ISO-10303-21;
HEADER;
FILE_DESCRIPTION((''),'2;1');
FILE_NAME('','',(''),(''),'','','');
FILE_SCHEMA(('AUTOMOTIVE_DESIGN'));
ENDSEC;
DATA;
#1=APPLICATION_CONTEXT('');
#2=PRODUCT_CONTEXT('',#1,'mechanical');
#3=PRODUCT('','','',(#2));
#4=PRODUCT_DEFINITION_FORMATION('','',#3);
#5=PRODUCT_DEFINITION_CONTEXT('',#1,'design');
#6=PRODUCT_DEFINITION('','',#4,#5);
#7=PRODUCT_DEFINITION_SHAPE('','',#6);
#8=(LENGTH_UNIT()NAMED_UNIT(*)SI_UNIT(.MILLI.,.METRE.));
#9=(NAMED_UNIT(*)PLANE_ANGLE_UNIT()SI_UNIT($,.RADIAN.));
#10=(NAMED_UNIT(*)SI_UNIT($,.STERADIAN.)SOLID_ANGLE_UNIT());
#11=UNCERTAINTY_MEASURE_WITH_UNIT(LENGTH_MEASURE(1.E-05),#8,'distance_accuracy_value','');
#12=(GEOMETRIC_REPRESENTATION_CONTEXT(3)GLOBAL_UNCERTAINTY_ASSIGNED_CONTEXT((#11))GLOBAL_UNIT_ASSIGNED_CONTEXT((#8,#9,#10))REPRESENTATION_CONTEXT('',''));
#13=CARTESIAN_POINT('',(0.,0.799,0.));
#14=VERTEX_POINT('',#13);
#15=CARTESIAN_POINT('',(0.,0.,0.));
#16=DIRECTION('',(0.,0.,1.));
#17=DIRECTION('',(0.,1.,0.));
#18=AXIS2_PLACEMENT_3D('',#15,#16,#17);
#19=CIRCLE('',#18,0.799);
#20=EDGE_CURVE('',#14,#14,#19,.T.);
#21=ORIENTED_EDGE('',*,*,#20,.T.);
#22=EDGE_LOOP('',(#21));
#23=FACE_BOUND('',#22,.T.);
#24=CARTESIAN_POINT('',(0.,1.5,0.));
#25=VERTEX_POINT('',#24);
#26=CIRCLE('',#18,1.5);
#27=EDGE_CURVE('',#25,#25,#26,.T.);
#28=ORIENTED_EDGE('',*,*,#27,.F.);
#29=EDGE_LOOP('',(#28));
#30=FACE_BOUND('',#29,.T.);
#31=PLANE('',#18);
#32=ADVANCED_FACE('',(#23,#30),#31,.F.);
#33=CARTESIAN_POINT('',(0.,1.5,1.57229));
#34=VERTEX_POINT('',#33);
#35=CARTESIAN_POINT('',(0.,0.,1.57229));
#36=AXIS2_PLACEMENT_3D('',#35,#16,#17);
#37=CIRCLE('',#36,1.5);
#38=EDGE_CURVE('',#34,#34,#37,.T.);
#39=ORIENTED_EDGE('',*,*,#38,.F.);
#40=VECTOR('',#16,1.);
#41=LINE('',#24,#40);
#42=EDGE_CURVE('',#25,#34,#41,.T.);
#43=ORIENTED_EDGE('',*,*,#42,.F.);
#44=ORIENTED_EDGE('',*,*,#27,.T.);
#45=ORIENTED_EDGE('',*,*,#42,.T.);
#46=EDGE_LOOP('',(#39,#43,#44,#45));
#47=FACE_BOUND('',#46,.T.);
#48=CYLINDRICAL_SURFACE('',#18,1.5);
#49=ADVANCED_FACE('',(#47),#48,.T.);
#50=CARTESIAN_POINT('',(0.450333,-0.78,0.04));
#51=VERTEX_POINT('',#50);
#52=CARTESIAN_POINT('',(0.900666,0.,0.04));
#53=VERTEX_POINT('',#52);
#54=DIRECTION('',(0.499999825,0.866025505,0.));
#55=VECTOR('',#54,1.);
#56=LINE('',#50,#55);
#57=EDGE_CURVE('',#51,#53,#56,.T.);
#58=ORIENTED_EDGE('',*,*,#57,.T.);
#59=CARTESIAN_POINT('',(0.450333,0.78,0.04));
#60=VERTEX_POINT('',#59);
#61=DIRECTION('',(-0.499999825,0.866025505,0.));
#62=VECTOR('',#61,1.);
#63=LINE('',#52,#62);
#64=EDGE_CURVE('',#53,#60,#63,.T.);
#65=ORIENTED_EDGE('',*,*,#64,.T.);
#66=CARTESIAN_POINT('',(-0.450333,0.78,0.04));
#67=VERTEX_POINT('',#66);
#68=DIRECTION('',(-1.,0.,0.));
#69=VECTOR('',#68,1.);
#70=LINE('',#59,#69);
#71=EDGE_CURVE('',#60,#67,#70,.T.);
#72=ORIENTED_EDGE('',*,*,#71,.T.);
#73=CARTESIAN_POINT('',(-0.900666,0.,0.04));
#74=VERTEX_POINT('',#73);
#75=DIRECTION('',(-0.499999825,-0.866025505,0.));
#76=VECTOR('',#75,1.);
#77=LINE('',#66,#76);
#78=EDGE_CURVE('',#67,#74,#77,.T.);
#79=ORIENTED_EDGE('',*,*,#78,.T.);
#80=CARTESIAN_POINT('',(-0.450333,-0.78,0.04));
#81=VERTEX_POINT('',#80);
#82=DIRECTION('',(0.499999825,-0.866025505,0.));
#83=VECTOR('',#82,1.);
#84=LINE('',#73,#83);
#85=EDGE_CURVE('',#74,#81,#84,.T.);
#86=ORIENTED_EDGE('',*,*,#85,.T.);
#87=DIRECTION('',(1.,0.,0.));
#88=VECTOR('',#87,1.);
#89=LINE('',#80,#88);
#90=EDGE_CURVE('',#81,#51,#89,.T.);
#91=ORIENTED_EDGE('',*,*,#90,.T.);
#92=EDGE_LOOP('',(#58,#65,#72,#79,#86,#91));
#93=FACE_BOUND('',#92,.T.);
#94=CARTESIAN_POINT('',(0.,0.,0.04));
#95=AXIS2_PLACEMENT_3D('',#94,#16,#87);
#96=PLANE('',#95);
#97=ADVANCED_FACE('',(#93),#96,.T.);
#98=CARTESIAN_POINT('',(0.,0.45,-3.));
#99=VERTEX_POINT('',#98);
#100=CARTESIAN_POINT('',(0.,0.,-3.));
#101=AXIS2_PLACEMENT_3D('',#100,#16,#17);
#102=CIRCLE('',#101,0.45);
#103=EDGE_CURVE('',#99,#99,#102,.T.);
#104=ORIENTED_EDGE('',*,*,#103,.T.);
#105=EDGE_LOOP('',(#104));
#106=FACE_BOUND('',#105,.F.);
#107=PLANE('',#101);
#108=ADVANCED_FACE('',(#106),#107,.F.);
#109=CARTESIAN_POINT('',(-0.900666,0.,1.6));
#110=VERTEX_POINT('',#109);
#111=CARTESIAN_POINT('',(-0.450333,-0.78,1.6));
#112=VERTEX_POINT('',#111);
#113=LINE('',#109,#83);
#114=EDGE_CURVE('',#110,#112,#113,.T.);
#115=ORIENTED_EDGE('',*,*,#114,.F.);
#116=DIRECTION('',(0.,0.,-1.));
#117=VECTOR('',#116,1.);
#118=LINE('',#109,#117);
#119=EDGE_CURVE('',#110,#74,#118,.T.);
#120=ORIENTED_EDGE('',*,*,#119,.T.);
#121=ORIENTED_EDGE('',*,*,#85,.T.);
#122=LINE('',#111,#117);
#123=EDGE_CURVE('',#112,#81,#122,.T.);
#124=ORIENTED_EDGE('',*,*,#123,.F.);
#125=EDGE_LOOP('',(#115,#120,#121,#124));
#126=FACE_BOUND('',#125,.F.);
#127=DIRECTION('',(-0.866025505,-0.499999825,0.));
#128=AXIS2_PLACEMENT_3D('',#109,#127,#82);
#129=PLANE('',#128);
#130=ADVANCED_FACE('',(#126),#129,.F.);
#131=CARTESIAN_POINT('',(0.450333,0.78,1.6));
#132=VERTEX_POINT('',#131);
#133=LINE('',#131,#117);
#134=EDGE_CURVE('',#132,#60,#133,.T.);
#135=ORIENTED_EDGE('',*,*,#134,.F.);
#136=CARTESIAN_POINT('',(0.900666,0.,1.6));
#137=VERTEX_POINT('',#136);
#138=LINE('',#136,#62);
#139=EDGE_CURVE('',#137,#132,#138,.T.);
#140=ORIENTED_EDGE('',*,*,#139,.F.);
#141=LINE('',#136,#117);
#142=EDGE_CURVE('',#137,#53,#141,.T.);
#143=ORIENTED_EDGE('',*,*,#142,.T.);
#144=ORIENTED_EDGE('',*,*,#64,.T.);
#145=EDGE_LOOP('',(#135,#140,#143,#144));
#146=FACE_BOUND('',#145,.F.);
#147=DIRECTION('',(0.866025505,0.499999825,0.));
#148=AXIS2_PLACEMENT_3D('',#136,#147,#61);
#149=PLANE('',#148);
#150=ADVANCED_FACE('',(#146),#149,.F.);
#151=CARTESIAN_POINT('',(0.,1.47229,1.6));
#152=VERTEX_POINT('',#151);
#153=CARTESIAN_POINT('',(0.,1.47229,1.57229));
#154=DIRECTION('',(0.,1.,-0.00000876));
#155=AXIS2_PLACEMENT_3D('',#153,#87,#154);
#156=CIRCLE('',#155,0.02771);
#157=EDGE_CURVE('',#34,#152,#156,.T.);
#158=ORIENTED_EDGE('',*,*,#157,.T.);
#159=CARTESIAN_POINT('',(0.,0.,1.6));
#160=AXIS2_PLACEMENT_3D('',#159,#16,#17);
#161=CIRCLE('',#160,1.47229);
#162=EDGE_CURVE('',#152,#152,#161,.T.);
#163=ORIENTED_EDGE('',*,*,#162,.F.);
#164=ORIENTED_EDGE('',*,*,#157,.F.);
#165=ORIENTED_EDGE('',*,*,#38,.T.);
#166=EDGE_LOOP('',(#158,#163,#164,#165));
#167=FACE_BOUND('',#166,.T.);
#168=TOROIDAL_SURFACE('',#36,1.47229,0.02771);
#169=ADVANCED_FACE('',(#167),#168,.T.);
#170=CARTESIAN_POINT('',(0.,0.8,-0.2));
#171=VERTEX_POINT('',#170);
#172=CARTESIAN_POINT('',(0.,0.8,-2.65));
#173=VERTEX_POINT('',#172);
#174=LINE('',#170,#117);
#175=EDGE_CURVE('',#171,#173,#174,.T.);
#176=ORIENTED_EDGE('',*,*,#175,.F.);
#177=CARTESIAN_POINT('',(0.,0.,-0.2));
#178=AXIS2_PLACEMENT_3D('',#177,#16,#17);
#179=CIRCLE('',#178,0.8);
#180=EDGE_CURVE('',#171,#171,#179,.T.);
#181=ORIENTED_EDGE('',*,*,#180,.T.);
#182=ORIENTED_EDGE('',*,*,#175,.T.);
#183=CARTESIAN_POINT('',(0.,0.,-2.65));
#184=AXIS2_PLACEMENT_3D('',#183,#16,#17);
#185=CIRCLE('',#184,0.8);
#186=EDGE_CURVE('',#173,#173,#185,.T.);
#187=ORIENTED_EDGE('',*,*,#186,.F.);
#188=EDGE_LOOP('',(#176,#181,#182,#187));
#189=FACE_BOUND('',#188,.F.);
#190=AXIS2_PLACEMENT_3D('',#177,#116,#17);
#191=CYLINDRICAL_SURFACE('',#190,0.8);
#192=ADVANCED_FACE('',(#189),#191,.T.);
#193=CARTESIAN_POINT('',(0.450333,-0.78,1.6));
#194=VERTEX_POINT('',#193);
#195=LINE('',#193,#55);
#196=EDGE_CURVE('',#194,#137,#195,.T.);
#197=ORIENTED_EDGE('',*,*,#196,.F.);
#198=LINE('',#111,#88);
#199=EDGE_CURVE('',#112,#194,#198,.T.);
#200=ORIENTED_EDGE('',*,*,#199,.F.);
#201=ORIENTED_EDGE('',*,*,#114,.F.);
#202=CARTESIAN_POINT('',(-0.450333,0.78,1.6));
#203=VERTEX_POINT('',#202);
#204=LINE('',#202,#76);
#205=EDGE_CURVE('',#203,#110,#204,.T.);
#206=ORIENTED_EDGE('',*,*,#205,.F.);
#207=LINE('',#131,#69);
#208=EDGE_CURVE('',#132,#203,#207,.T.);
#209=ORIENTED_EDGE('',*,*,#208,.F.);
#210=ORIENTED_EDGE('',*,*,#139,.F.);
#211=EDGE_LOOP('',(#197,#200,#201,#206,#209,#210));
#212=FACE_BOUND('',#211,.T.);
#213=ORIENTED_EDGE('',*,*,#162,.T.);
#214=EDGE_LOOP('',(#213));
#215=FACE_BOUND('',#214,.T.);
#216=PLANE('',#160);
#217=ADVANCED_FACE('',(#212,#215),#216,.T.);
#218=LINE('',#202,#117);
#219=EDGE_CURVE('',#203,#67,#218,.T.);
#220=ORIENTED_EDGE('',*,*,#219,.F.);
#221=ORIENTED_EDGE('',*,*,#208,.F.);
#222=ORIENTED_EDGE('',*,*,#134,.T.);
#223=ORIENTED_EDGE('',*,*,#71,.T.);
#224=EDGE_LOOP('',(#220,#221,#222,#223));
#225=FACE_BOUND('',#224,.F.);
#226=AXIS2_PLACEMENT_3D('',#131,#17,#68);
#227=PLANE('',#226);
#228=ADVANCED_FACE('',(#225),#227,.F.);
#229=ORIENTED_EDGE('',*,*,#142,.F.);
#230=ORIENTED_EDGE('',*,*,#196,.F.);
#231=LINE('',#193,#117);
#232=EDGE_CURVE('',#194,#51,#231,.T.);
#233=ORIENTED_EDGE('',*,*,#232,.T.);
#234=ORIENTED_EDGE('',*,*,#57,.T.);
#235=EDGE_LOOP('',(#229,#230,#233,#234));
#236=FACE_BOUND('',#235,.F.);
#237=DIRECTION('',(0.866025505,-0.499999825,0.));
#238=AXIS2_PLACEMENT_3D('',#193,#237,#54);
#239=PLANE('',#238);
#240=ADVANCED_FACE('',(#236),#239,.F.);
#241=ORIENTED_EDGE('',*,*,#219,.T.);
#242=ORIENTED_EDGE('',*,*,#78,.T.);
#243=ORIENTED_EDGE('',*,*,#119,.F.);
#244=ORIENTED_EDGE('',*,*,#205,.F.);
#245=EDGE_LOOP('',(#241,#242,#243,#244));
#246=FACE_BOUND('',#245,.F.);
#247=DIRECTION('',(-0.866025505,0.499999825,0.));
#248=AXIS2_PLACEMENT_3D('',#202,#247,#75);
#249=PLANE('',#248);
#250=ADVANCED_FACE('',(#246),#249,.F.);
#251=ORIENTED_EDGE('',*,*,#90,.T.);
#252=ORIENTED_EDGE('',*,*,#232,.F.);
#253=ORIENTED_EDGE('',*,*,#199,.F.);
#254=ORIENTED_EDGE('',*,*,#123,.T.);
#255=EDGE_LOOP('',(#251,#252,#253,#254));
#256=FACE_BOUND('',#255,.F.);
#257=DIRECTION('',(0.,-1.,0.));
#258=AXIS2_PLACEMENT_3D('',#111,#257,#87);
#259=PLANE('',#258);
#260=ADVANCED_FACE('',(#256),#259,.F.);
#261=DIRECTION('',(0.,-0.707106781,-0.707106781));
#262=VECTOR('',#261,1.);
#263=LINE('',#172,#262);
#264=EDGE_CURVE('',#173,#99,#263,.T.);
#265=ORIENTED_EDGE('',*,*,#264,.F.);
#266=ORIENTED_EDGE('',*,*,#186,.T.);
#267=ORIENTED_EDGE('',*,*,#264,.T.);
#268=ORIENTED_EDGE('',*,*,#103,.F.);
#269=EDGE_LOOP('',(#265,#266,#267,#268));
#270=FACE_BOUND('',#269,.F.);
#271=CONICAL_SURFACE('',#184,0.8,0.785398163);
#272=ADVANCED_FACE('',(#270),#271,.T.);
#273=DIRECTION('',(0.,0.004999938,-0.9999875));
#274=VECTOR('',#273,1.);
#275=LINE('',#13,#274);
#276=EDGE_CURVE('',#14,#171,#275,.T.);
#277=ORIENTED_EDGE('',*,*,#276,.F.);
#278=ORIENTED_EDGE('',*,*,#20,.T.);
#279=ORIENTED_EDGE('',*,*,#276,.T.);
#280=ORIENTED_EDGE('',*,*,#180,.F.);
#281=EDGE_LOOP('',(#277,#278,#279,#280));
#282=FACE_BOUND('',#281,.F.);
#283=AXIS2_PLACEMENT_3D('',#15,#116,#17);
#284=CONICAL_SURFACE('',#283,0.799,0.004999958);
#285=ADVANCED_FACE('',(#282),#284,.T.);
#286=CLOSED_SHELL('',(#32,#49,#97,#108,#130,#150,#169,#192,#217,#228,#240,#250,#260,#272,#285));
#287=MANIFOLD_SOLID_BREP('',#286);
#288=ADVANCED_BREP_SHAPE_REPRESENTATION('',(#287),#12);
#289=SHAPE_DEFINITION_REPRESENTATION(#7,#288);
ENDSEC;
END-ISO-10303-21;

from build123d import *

# Parameters (mm, degrees)
POCKET_DEPTH = 1.56


with BuildPart() as part:
    # Sketch → Revolve (revolve)
    with BuildSketch(Plane.YZ):
        with BuildLine():
            Line((0.799, 0), (1.5, 0))
            Line((1.5, 0), (1.5, 1.57229))
            ThreePointArc((1.5, 1.57229), (1.491884, 1.591884), (1.47229, 1.6))
            Line((1.47229, 1.6), (0, 1.6))
            Line((0, -3), (0, 1.6))
            Line((0.45, -3), (0, -3))
            Line((0.8, -2.65), (0.45, -3))
            Line((0.8, -0.2), (0.8, -2.65))
            Line((0.799, 0), (0.8, -0.2))
        make_face()
    revolve(axis=Axis((0, 0, 0), (0, 0, 1)))

    # Sketch001 → Pocket (cut)
    with BuildSketch(Plane.XY.offset(1.6)):
        Polygon((0.900666, 0), (0.450333, 0.78), (-0.450333, 0.78), (-0.900666, 0), (-0.450333, -0.78), (0.450333, -0.78), align=None)
    extrude(amount=-POCKET_DEPTH, mode=Mode.SUBTRACT)


solid = part.part
